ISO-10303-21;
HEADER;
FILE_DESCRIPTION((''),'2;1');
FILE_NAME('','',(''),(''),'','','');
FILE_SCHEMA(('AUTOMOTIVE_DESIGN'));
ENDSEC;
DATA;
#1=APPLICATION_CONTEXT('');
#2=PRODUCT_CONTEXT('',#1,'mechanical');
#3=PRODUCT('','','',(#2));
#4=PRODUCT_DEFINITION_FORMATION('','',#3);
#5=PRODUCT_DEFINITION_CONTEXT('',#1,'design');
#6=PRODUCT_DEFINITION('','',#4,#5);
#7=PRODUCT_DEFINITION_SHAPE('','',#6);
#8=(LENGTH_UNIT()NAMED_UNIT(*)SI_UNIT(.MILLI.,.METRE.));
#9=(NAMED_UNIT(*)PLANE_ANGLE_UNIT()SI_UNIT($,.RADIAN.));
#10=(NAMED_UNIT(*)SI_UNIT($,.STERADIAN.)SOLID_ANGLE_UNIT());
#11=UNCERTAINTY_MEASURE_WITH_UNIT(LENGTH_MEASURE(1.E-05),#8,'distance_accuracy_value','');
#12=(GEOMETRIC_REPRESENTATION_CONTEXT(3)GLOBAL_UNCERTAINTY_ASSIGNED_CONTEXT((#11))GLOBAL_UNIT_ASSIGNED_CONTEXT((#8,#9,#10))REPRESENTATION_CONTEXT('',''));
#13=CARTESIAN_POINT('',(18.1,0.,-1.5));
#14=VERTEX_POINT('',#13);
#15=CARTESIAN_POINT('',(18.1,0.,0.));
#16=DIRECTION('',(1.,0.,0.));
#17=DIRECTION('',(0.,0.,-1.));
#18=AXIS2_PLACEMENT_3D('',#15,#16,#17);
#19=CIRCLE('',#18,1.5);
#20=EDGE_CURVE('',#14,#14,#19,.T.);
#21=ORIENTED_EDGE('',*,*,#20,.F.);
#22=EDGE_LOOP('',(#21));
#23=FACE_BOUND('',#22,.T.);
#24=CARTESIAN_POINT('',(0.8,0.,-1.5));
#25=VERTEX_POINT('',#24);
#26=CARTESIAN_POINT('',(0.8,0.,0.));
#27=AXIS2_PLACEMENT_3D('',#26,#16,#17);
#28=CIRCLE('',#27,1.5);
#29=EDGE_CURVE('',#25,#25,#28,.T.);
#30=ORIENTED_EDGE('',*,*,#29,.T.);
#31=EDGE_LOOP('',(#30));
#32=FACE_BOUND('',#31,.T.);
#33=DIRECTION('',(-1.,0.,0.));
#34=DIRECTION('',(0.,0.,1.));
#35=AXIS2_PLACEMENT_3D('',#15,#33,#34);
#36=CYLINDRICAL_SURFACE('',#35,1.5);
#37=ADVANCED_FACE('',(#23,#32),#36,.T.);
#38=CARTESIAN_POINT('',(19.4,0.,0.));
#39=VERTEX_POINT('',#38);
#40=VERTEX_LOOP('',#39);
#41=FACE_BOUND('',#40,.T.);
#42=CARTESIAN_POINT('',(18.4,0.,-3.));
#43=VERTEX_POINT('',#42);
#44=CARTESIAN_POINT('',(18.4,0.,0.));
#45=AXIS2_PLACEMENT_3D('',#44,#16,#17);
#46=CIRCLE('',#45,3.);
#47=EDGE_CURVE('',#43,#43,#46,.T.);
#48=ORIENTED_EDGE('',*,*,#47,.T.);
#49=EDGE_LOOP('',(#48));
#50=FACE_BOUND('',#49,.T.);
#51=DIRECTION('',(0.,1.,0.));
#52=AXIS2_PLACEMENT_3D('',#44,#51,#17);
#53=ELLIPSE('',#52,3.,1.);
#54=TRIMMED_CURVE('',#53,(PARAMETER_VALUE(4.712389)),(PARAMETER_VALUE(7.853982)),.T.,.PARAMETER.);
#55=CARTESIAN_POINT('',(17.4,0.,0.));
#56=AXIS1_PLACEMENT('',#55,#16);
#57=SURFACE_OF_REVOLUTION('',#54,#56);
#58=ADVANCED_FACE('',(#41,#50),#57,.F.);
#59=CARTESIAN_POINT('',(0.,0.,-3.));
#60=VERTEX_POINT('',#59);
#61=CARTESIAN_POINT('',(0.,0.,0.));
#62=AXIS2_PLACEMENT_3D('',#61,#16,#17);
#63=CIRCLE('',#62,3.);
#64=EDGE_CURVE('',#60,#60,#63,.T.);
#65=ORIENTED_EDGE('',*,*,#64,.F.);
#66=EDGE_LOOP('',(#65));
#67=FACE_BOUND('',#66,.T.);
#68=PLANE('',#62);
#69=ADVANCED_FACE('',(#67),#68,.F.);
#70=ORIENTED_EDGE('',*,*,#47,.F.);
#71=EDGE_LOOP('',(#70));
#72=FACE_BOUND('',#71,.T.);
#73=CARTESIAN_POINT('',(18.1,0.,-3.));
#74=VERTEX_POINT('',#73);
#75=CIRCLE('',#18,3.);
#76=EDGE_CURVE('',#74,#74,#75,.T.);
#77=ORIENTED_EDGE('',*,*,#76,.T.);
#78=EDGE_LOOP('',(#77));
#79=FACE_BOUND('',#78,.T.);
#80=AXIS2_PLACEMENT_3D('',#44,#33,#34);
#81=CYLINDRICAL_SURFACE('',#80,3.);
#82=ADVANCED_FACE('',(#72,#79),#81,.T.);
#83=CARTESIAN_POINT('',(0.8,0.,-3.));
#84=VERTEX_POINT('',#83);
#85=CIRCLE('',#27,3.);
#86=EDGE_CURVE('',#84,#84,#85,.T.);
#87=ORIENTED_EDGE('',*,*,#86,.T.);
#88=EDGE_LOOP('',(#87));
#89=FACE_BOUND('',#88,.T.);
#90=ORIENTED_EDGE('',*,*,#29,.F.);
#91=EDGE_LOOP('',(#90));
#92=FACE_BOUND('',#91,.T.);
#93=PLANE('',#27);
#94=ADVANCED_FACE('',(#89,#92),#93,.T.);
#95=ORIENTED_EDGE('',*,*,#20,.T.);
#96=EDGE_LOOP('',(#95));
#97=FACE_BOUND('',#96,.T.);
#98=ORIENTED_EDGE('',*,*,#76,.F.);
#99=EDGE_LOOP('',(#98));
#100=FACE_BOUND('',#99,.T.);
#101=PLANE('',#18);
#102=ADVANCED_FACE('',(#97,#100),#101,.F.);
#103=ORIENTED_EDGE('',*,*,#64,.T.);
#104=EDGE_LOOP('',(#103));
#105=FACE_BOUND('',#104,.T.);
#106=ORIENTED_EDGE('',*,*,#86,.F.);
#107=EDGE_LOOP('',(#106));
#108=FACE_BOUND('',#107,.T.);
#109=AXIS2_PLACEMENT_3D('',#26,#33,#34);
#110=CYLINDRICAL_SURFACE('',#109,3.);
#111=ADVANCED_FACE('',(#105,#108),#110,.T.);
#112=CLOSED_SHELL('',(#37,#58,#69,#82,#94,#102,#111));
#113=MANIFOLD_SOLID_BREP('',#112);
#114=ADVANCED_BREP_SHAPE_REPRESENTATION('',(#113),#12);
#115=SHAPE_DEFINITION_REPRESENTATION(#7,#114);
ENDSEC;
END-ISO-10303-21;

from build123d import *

# Parameters (mm, degrees)
CROQUIS1_R              = 3
SALIENTE_EXTRUIR1_DEPTH = 0.8
CROQUIS2_R              = 1.5
SALIENTE_EXTRUIR2_DEPTH = 17.3
CROQUIS3_R              = 3
SALIENTE_EXTRUIR3_DEPTH = 0.3
C_PULA1_FACE_RADIUS     = 3
C_PULA1_HEIGHT          = 1


with BuildPart() as part:
    # Croquis1 → Saliente-Extruir1 (new body)
    with BuildSketch(Plane(origin=(0, 0, 0), x_dir=(0, 0, -1), z_dir=(1, 0, 0))):
        Circle(CROQUIS1_R)
    extrude(amount=SALIENTE_EXTRUIR1_DEPTH)

    # Croquis2 → Saliente-Extruir2 (add)
    with BuildSketch(Plane(origin=(0.8, 0, 0), x_dir=(0, 0, -1), z_dir=(1, 0, 0))):
        Circle(CROQUIS2_R)
    extrude(amount=SALIENTE_EXTRUIR2_DEPTH)

    # Croquis3 → Saliente-Extruir3 (add)
    with BuildSketch(Plane(origin=(18.1, 0, 0), x_dir=(0, 0, -1), z_dir=(1, 0, 0))):
        Circle(CROQUIS3_R)
    extrude(amount=SALIENTE_EXTRUIR3_DEPTH)

    # Cúpula1: an elliptical dome of height H over a round flat face of radius A is half a spheroid: the quarter ellipse of half axes A and H revolved about the face's axis
    with BuildSketch(Plane((18.4, 0, 0), x_dir=(0, 0, 1), z_dir=(0, 1, 0)), mode=Mode.PRIVATE) as c_pula1_quarter:
        Ellipse(C_PULA1_FACE_RADIUS, C_PULA1_HEIGHT)
        Rectangle(C_PULA1_FACE_RADIUS, C_PULA1_HEIGHT, align=(Align.MIN, Align.MIN), mode=Mode.INTERSECT)
    revolve(c_pula1_quarter.sketch, axis=Axis((18.4, 0, 0), (1, 0, 0)))


solid = part.part
